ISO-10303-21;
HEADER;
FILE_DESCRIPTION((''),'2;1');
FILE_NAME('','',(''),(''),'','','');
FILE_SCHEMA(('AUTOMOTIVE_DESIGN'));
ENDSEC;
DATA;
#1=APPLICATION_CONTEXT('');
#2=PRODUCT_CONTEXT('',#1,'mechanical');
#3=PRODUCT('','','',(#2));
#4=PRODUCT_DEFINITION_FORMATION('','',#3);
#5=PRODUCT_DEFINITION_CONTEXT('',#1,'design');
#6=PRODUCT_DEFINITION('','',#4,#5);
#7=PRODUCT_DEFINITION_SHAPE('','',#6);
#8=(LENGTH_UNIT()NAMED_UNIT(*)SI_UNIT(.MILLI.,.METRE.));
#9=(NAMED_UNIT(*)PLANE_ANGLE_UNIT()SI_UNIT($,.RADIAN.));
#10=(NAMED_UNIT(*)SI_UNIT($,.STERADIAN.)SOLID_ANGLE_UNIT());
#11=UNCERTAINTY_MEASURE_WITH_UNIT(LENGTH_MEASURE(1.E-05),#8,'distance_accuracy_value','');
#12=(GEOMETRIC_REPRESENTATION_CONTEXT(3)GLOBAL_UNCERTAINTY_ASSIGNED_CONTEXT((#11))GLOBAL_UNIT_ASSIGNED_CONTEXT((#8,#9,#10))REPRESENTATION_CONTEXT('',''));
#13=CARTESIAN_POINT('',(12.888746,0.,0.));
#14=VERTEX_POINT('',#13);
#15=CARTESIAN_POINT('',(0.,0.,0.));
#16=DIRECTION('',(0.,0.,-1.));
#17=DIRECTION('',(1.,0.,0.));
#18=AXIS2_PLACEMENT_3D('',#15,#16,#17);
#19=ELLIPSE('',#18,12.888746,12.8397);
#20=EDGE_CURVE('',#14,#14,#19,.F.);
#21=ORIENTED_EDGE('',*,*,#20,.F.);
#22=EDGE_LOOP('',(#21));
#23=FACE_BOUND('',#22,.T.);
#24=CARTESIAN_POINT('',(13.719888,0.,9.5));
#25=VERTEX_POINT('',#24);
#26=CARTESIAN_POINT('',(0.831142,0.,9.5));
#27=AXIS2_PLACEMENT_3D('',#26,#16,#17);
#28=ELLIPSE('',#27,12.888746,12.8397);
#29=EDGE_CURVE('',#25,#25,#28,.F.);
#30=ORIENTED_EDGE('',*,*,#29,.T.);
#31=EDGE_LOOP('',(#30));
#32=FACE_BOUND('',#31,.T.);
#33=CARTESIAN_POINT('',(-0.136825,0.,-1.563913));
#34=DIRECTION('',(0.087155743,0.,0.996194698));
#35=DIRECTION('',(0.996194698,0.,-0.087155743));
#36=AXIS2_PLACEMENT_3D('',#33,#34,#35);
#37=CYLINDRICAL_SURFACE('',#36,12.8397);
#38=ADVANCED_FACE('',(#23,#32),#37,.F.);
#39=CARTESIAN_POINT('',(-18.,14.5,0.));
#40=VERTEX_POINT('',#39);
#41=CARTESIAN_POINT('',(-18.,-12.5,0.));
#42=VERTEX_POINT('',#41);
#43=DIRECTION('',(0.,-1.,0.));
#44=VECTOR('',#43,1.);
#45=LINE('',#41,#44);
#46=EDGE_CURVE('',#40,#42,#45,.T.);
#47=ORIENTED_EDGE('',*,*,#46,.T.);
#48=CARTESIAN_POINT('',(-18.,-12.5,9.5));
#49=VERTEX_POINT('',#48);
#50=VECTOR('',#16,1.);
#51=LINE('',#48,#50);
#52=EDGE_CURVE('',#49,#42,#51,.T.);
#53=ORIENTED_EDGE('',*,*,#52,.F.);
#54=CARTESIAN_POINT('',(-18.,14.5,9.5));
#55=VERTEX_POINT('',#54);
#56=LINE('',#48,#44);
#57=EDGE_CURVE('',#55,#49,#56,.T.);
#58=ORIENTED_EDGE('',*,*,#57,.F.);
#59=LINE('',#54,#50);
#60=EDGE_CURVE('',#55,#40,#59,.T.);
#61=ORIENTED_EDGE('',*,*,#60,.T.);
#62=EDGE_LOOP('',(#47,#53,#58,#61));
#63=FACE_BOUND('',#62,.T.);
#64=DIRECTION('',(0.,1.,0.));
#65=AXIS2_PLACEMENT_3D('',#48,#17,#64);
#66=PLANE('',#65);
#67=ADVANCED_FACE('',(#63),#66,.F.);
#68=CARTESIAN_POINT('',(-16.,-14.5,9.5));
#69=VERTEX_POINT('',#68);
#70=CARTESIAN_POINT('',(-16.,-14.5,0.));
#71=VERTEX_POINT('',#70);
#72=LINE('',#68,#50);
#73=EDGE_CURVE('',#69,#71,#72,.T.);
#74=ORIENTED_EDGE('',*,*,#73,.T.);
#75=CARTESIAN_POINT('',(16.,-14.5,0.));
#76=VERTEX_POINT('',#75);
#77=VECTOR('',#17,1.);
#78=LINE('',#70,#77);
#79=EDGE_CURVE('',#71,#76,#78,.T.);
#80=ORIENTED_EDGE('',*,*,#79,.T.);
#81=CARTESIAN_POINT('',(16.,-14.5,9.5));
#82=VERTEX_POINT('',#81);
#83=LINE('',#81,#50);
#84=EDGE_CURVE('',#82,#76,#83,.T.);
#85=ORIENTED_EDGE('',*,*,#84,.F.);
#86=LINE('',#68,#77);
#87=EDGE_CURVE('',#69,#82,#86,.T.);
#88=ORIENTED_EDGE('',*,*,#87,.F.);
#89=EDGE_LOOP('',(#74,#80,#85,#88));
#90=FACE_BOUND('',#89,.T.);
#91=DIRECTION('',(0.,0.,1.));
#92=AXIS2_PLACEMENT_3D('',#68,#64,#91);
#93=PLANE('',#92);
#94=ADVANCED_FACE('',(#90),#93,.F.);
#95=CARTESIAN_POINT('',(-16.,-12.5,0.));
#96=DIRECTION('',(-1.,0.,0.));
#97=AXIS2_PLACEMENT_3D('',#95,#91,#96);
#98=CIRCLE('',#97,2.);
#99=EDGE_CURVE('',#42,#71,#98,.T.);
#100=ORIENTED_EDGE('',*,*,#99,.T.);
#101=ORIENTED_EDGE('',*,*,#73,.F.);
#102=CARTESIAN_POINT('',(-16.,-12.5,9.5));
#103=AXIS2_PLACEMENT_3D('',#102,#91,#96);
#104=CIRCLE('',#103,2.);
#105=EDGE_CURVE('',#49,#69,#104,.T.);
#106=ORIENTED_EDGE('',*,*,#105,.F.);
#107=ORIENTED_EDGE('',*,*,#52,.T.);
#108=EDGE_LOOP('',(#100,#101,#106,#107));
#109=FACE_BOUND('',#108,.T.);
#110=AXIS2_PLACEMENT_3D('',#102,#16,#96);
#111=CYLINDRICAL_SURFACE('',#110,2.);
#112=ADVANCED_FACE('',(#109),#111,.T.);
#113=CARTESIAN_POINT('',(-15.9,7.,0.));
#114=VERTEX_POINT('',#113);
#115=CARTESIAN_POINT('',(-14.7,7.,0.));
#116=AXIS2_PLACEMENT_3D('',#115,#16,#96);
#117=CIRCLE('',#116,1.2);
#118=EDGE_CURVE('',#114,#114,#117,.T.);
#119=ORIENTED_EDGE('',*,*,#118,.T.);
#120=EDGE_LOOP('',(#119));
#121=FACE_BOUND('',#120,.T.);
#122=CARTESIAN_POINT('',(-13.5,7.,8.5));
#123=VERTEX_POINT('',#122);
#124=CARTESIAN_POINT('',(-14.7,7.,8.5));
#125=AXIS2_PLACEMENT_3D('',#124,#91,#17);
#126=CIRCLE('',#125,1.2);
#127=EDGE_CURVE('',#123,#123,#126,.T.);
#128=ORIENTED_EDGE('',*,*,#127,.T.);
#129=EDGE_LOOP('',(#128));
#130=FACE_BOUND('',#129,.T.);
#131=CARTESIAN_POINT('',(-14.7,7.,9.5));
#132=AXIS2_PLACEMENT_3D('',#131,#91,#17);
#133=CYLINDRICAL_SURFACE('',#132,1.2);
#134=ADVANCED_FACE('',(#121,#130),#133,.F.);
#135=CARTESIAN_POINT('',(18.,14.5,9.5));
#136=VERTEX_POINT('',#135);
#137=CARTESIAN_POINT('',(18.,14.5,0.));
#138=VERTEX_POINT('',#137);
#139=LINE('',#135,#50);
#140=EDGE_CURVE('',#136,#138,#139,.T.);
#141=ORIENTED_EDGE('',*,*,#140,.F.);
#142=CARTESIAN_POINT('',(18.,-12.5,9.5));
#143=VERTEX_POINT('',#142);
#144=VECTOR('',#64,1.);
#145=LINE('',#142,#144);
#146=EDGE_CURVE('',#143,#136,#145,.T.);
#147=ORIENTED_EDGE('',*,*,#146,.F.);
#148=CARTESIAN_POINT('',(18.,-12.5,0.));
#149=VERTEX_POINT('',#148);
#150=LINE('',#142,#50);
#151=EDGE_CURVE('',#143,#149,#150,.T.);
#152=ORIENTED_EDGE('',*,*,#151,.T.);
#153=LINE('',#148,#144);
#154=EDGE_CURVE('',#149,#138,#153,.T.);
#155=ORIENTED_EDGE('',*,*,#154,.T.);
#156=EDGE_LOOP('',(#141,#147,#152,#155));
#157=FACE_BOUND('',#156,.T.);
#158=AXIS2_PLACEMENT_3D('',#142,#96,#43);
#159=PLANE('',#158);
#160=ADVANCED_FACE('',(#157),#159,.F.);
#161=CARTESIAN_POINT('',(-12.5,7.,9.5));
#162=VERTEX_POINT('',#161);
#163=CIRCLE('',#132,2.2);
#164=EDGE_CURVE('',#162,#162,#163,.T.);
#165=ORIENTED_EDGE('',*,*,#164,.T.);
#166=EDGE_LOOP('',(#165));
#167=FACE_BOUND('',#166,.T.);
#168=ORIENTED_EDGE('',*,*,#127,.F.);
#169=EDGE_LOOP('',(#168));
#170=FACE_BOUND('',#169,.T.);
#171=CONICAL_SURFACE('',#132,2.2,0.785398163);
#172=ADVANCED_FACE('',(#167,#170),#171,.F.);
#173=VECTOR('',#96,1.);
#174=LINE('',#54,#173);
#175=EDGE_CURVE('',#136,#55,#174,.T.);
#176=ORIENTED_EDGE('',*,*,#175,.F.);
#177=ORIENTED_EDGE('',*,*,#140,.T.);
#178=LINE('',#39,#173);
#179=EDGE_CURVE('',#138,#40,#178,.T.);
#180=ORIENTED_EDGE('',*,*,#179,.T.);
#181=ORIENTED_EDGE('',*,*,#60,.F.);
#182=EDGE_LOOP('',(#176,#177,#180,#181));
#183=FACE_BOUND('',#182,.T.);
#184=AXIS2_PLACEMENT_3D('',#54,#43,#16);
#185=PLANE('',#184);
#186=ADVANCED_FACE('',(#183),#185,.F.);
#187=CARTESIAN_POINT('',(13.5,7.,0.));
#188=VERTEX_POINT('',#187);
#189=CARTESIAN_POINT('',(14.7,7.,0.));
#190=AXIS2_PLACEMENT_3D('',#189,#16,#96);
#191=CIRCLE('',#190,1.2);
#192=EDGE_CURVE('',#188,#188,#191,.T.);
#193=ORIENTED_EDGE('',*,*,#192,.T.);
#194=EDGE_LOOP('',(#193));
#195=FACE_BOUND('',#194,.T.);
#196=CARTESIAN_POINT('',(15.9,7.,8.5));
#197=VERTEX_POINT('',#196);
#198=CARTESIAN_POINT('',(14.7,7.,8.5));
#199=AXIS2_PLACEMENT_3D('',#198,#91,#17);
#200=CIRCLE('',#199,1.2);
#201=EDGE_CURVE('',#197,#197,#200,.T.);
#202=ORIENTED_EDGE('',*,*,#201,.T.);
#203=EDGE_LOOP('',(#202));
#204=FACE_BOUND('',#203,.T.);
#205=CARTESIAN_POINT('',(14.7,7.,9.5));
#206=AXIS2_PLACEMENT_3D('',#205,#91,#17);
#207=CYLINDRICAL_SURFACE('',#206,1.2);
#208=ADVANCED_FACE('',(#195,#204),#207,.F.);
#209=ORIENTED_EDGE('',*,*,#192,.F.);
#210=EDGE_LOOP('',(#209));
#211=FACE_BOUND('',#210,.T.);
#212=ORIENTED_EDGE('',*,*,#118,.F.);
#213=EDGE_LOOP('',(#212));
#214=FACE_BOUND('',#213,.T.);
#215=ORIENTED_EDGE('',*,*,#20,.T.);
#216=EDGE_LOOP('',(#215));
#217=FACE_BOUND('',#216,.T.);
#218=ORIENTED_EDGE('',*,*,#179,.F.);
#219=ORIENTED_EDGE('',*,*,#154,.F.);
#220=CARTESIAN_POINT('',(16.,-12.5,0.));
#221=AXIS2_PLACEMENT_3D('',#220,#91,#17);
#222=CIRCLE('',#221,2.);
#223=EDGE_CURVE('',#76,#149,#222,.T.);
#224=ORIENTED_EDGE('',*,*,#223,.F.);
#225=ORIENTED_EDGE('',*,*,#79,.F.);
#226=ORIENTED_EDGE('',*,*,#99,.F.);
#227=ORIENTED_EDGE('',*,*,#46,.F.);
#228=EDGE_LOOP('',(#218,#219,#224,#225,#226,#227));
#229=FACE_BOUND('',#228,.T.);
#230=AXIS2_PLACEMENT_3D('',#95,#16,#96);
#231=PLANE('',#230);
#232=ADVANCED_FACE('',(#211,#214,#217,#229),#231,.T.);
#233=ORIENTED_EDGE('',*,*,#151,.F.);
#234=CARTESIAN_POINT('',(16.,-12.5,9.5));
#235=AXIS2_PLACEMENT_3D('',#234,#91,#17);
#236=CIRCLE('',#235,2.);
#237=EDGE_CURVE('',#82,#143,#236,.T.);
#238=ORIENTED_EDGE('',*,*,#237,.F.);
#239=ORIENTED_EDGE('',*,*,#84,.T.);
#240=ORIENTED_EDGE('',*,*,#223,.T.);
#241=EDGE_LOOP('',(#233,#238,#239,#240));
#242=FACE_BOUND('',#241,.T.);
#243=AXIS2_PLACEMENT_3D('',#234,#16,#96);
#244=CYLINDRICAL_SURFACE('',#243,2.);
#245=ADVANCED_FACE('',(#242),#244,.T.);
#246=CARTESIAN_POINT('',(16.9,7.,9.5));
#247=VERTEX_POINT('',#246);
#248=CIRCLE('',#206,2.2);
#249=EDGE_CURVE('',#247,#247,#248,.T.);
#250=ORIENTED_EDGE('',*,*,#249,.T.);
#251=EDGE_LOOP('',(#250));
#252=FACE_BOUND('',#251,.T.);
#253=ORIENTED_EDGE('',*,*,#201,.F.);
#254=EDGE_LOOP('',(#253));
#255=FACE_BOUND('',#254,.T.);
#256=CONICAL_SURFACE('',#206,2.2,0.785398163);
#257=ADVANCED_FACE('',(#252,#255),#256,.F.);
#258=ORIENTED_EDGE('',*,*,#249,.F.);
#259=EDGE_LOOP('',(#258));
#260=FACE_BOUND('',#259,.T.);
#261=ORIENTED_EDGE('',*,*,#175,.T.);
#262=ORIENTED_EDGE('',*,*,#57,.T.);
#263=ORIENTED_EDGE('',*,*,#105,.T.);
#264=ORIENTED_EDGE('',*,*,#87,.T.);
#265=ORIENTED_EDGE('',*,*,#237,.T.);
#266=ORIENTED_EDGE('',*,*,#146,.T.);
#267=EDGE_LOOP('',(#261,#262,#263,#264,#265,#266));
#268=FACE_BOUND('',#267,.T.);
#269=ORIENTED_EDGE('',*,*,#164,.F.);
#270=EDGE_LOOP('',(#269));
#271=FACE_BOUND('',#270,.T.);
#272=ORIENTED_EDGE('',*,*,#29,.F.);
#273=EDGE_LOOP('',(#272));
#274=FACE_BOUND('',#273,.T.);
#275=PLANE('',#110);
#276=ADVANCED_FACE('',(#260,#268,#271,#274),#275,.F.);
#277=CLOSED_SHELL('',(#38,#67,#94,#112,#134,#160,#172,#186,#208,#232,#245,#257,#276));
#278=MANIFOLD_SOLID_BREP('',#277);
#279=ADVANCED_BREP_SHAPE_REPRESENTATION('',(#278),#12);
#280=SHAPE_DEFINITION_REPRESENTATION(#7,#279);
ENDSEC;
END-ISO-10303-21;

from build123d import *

# Parameters (mm, degrees)
BOSS_EXTRUDE1_DEPTH                                 = 9.5
CUT_EXTRUDE1_REACH                                  = 14.601
SKETCH2_R                                           = 12.8397
CSK_FOR_M2_COUNTERSUNK_FLAT_HEAD_SCREW1_D           = 2.4
CSK_FOR_M2_COUNTERSUNK_FLAT_HEAD_SCREW1_DEPTH       = 9.5
CSK_FOR_M2_COUNTERSUNK_FLAT_HEAD_SCREW1_CSINK_D     = 4.4
CSK_FOR_M2_COUNTERSUNK_FLAT_HEAD_SCREW1_CSINK_ANGLE = 90


with BuildPart() as part:
    # Sketch1 → Boss-Extrude1 (new body)
    with BuildSketch(Plane.XY):
        with BuildLine():
            Line((-16, -14.5), (16, -14.5))
            ThreePointArc((16, -14.5), (17.414213562, -13.914213562), (18, -12.5))
            Line((18, -12.5), (18, 14.5))
            Line((18, 14.5), (-18, 14.5))
            Line((-18, 14.5), (-18, -12.5))
            ThreePointArc((-18, -12.5), (-17.414213562, -13.914213562), (-16, -14.5))
        make_face()
    extrude(amount=BOSS_EXTRUDE1_DEPTH)

    # Sketch2 → Cut-Extrude1 (cut, up to next)
    with BuildSketch(Plane(origin=(0.961559067, 0, 10.990670426), x_dir=(0, 1, 0), z_dir=(0.087155743, 0, 0.996194698)), mode=Mode.PRIVATE) as cut_extrude1_sk1:
        Circle(SKETCH2_R)
    cut_extrude1_tool1 = extrude(cut_extrude1_sk1.sketch, amount=-CUT_EXTRUDE1_REACH, mode=Mode.PRIVATE) & part.part
    add(cut_extrude1_tool1.solids().sort_by_distance((0.961559, 0, 10.99067))[0], mode=Mode.SUBTRACT)

    # CSK for M2 Countersunk Flat Head Screw1
    with Locations(Plane.XY.offset(9.5)):
        with Locations((-14.7, 7), (14.7, 7)):
            CounterSinkHole(CSK_FOR_M2_COUNTERSUNK_FLAT_HEAD_SCREW1_D / 2, CSK_FOR_M2_COUNTERSUNK_FLAT_HEAD_SCREW1_CSINK_D / 2, depth=CSK_FOR_M2_COUNTERSUNK_FLAT_HEAD_SCREW1_DEPTH, counter_sink_angle=CSK_FOR_M2_COUNTERSUNK_FLAT_HEAD_SCREW1_CSINK_ANGLE)


solid = part.part
